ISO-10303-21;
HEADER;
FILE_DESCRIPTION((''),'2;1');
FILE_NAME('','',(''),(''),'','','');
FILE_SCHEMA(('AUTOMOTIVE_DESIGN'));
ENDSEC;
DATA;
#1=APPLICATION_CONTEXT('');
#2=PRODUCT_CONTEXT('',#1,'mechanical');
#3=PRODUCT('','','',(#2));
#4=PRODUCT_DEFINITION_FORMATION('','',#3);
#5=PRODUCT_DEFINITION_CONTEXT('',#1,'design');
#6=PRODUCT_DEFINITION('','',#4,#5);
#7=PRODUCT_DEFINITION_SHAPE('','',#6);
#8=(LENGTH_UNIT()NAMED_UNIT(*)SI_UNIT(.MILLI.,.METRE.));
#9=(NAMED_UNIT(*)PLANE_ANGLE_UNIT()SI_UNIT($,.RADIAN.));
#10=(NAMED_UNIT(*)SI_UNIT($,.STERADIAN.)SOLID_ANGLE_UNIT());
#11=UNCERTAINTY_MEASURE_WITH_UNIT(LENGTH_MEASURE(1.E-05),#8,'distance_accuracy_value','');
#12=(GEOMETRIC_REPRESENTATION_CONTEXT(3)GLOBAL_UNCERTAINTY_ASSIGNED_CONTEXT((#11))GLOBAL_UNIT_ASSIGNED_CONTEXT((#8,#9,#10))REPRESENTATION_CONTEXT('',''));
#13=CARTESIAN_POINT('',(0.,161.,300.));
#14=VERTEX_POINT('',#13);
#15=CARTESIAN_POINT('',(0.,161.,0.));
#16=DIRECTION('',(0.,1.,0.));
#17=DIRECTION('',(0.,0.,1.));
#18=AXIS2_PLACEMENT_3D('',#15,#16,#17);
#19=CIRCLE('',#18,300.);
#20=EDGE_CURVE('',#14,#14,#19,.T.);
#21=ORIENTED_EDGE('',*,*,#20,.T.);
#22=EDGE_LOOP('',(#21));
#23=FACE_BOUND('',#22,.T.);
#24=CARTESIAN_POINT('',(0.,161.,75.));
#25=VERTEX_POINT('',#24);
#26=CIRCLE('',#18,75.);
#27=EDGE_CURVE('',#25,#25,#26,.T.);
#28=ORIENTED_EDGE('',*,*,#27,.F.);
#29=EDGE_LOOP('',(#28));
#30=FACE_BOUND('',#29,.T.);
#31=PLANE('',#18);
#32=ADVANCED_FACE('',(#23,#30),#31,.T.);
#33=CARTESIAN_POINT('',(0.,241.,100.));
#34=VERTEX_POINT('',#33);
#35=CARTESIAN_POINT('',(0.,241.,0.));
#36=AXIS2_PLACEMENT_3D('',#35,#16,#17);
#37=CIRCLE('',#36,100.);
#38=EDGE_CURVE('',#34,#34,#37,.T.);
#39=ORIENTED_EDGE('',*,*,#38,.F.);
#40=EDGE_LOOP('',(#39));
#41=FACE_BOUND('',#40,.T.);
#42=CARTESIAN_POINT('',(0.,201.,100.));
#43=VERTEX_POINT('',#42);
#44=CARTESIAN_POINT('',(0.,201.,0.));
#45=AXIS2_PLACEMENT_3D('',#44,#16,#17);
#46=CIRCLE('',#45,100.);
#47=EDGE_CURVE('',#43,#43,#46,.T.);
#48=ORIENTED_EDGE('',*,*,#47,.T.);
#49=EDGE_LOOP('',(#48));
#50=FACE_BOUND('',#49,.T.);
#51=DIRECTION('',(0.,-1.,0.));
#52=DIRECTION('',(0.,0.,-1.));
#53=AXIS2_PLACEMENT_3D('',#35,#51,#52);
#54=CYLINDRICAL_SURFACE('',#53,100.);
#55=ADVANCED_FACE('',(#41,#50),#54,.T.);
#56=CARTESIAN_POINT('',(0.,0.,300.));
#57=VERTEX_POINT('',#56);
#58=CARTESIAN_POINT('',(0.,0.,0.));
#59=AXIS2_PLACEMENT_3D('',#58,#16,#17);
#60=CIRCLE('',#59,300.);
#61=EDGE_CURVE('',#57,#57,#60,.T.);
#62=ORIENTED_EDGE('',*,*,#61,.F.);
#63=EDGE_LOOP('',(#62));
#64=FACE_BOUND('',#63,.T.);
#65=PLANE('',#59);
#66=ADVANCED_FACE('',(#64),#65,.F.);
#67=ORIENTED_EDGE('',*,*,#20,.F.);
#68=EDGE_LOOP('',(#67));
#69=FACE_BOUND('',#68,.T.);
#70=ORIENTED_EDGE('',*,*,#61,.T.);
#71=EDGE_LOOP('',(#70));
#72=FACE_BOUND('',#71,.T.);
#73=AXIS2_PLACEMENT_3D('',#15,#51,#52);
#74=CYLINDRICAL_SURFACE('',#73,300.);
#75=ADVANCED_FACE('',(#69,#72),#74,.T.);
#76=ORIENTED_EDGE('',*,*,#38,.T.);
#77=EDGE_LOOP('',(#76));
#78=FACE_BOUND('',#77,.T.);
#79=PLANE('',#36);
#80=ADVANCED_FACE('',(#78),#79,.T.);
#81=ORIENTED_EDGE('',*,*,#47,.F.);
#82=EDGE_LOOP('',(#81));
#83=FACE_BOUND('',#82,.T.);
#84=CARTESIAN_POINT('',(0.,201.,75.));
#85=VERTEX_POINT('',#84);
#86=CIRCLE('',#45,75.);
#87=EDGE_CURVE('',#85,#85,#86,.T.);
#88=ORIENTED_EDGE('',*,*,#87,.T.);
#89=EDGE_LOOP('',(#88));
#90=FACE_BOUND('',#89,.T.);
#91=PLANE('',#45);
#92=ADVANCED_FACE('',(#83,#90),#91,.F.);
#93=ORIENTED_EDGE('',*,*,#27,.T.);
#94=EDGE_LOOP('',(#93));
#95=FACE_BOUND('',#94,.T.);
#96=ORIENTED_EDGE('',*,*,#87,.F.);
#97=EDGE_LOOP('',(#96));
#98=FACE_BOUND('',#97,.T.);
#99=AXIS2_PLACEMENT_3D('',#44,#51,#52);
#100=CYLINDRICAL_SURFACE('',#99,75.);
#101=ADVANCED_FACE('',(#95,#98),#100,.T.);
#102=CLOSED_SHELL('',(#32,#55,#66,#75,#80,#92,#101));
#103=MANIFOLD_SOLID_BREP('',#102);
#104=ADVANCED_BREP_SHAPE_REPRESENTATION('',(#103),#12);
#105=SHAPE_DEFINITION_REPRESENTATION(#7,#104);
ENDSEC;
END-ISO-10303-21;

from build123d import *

# Parameters (mm, degrees)
SKETCH1_R           = 300
BOSS_EXTRUDE1_DEPTH = 161
SKETCH2_R           = 75
BOSS_EXTRUDE2_DEPTH = 40
SKETCH3_R           = 100
BOSS_EXTRUDE3_DEPTH = 40


with BuildPart() as part:
    # Sketch1 → Boss-Extrude1 (new body)
    with BuildSketch(Plane(origin=(0, 0, 0), x_dir=(1, 0, 0), z_dir=(0, 1, 0))):
        with Locations(Location((0, 0, 0), (0, 0, 270))):
            Circle(SKETCH1_R)
    extrude(amount=BOSS_EXTRUDE1_DEPTH)

    # Sketch2 → Boss-Extrude2 (add)
    with BuildSketch(Plane(origin=(0, 161, 0), x_dir=(1, 0, 0), z_dir=(0, 1, 0))):
        with Locations(Location((0, 0, 0), (0, 0, 270))):
            Circle(SKETCH2_R)
    extrude(amount=BOSS_EXTRUDE2_DEPTH)

    # Sketch3 → Boss-Extrude3 (add)
    with BuildSketch(Plane(origin=(0, 201, 0), x_dir=(1, 0, 0), z_dir=(0, 1, 0))):
        with Locations(Location((0, 0, 0), (0, 0, 270))):
            Circle(SKETCH3_R)
    extrude(amount=BOSS_EXTRUDE3_DEPTH)


solid = part.part
